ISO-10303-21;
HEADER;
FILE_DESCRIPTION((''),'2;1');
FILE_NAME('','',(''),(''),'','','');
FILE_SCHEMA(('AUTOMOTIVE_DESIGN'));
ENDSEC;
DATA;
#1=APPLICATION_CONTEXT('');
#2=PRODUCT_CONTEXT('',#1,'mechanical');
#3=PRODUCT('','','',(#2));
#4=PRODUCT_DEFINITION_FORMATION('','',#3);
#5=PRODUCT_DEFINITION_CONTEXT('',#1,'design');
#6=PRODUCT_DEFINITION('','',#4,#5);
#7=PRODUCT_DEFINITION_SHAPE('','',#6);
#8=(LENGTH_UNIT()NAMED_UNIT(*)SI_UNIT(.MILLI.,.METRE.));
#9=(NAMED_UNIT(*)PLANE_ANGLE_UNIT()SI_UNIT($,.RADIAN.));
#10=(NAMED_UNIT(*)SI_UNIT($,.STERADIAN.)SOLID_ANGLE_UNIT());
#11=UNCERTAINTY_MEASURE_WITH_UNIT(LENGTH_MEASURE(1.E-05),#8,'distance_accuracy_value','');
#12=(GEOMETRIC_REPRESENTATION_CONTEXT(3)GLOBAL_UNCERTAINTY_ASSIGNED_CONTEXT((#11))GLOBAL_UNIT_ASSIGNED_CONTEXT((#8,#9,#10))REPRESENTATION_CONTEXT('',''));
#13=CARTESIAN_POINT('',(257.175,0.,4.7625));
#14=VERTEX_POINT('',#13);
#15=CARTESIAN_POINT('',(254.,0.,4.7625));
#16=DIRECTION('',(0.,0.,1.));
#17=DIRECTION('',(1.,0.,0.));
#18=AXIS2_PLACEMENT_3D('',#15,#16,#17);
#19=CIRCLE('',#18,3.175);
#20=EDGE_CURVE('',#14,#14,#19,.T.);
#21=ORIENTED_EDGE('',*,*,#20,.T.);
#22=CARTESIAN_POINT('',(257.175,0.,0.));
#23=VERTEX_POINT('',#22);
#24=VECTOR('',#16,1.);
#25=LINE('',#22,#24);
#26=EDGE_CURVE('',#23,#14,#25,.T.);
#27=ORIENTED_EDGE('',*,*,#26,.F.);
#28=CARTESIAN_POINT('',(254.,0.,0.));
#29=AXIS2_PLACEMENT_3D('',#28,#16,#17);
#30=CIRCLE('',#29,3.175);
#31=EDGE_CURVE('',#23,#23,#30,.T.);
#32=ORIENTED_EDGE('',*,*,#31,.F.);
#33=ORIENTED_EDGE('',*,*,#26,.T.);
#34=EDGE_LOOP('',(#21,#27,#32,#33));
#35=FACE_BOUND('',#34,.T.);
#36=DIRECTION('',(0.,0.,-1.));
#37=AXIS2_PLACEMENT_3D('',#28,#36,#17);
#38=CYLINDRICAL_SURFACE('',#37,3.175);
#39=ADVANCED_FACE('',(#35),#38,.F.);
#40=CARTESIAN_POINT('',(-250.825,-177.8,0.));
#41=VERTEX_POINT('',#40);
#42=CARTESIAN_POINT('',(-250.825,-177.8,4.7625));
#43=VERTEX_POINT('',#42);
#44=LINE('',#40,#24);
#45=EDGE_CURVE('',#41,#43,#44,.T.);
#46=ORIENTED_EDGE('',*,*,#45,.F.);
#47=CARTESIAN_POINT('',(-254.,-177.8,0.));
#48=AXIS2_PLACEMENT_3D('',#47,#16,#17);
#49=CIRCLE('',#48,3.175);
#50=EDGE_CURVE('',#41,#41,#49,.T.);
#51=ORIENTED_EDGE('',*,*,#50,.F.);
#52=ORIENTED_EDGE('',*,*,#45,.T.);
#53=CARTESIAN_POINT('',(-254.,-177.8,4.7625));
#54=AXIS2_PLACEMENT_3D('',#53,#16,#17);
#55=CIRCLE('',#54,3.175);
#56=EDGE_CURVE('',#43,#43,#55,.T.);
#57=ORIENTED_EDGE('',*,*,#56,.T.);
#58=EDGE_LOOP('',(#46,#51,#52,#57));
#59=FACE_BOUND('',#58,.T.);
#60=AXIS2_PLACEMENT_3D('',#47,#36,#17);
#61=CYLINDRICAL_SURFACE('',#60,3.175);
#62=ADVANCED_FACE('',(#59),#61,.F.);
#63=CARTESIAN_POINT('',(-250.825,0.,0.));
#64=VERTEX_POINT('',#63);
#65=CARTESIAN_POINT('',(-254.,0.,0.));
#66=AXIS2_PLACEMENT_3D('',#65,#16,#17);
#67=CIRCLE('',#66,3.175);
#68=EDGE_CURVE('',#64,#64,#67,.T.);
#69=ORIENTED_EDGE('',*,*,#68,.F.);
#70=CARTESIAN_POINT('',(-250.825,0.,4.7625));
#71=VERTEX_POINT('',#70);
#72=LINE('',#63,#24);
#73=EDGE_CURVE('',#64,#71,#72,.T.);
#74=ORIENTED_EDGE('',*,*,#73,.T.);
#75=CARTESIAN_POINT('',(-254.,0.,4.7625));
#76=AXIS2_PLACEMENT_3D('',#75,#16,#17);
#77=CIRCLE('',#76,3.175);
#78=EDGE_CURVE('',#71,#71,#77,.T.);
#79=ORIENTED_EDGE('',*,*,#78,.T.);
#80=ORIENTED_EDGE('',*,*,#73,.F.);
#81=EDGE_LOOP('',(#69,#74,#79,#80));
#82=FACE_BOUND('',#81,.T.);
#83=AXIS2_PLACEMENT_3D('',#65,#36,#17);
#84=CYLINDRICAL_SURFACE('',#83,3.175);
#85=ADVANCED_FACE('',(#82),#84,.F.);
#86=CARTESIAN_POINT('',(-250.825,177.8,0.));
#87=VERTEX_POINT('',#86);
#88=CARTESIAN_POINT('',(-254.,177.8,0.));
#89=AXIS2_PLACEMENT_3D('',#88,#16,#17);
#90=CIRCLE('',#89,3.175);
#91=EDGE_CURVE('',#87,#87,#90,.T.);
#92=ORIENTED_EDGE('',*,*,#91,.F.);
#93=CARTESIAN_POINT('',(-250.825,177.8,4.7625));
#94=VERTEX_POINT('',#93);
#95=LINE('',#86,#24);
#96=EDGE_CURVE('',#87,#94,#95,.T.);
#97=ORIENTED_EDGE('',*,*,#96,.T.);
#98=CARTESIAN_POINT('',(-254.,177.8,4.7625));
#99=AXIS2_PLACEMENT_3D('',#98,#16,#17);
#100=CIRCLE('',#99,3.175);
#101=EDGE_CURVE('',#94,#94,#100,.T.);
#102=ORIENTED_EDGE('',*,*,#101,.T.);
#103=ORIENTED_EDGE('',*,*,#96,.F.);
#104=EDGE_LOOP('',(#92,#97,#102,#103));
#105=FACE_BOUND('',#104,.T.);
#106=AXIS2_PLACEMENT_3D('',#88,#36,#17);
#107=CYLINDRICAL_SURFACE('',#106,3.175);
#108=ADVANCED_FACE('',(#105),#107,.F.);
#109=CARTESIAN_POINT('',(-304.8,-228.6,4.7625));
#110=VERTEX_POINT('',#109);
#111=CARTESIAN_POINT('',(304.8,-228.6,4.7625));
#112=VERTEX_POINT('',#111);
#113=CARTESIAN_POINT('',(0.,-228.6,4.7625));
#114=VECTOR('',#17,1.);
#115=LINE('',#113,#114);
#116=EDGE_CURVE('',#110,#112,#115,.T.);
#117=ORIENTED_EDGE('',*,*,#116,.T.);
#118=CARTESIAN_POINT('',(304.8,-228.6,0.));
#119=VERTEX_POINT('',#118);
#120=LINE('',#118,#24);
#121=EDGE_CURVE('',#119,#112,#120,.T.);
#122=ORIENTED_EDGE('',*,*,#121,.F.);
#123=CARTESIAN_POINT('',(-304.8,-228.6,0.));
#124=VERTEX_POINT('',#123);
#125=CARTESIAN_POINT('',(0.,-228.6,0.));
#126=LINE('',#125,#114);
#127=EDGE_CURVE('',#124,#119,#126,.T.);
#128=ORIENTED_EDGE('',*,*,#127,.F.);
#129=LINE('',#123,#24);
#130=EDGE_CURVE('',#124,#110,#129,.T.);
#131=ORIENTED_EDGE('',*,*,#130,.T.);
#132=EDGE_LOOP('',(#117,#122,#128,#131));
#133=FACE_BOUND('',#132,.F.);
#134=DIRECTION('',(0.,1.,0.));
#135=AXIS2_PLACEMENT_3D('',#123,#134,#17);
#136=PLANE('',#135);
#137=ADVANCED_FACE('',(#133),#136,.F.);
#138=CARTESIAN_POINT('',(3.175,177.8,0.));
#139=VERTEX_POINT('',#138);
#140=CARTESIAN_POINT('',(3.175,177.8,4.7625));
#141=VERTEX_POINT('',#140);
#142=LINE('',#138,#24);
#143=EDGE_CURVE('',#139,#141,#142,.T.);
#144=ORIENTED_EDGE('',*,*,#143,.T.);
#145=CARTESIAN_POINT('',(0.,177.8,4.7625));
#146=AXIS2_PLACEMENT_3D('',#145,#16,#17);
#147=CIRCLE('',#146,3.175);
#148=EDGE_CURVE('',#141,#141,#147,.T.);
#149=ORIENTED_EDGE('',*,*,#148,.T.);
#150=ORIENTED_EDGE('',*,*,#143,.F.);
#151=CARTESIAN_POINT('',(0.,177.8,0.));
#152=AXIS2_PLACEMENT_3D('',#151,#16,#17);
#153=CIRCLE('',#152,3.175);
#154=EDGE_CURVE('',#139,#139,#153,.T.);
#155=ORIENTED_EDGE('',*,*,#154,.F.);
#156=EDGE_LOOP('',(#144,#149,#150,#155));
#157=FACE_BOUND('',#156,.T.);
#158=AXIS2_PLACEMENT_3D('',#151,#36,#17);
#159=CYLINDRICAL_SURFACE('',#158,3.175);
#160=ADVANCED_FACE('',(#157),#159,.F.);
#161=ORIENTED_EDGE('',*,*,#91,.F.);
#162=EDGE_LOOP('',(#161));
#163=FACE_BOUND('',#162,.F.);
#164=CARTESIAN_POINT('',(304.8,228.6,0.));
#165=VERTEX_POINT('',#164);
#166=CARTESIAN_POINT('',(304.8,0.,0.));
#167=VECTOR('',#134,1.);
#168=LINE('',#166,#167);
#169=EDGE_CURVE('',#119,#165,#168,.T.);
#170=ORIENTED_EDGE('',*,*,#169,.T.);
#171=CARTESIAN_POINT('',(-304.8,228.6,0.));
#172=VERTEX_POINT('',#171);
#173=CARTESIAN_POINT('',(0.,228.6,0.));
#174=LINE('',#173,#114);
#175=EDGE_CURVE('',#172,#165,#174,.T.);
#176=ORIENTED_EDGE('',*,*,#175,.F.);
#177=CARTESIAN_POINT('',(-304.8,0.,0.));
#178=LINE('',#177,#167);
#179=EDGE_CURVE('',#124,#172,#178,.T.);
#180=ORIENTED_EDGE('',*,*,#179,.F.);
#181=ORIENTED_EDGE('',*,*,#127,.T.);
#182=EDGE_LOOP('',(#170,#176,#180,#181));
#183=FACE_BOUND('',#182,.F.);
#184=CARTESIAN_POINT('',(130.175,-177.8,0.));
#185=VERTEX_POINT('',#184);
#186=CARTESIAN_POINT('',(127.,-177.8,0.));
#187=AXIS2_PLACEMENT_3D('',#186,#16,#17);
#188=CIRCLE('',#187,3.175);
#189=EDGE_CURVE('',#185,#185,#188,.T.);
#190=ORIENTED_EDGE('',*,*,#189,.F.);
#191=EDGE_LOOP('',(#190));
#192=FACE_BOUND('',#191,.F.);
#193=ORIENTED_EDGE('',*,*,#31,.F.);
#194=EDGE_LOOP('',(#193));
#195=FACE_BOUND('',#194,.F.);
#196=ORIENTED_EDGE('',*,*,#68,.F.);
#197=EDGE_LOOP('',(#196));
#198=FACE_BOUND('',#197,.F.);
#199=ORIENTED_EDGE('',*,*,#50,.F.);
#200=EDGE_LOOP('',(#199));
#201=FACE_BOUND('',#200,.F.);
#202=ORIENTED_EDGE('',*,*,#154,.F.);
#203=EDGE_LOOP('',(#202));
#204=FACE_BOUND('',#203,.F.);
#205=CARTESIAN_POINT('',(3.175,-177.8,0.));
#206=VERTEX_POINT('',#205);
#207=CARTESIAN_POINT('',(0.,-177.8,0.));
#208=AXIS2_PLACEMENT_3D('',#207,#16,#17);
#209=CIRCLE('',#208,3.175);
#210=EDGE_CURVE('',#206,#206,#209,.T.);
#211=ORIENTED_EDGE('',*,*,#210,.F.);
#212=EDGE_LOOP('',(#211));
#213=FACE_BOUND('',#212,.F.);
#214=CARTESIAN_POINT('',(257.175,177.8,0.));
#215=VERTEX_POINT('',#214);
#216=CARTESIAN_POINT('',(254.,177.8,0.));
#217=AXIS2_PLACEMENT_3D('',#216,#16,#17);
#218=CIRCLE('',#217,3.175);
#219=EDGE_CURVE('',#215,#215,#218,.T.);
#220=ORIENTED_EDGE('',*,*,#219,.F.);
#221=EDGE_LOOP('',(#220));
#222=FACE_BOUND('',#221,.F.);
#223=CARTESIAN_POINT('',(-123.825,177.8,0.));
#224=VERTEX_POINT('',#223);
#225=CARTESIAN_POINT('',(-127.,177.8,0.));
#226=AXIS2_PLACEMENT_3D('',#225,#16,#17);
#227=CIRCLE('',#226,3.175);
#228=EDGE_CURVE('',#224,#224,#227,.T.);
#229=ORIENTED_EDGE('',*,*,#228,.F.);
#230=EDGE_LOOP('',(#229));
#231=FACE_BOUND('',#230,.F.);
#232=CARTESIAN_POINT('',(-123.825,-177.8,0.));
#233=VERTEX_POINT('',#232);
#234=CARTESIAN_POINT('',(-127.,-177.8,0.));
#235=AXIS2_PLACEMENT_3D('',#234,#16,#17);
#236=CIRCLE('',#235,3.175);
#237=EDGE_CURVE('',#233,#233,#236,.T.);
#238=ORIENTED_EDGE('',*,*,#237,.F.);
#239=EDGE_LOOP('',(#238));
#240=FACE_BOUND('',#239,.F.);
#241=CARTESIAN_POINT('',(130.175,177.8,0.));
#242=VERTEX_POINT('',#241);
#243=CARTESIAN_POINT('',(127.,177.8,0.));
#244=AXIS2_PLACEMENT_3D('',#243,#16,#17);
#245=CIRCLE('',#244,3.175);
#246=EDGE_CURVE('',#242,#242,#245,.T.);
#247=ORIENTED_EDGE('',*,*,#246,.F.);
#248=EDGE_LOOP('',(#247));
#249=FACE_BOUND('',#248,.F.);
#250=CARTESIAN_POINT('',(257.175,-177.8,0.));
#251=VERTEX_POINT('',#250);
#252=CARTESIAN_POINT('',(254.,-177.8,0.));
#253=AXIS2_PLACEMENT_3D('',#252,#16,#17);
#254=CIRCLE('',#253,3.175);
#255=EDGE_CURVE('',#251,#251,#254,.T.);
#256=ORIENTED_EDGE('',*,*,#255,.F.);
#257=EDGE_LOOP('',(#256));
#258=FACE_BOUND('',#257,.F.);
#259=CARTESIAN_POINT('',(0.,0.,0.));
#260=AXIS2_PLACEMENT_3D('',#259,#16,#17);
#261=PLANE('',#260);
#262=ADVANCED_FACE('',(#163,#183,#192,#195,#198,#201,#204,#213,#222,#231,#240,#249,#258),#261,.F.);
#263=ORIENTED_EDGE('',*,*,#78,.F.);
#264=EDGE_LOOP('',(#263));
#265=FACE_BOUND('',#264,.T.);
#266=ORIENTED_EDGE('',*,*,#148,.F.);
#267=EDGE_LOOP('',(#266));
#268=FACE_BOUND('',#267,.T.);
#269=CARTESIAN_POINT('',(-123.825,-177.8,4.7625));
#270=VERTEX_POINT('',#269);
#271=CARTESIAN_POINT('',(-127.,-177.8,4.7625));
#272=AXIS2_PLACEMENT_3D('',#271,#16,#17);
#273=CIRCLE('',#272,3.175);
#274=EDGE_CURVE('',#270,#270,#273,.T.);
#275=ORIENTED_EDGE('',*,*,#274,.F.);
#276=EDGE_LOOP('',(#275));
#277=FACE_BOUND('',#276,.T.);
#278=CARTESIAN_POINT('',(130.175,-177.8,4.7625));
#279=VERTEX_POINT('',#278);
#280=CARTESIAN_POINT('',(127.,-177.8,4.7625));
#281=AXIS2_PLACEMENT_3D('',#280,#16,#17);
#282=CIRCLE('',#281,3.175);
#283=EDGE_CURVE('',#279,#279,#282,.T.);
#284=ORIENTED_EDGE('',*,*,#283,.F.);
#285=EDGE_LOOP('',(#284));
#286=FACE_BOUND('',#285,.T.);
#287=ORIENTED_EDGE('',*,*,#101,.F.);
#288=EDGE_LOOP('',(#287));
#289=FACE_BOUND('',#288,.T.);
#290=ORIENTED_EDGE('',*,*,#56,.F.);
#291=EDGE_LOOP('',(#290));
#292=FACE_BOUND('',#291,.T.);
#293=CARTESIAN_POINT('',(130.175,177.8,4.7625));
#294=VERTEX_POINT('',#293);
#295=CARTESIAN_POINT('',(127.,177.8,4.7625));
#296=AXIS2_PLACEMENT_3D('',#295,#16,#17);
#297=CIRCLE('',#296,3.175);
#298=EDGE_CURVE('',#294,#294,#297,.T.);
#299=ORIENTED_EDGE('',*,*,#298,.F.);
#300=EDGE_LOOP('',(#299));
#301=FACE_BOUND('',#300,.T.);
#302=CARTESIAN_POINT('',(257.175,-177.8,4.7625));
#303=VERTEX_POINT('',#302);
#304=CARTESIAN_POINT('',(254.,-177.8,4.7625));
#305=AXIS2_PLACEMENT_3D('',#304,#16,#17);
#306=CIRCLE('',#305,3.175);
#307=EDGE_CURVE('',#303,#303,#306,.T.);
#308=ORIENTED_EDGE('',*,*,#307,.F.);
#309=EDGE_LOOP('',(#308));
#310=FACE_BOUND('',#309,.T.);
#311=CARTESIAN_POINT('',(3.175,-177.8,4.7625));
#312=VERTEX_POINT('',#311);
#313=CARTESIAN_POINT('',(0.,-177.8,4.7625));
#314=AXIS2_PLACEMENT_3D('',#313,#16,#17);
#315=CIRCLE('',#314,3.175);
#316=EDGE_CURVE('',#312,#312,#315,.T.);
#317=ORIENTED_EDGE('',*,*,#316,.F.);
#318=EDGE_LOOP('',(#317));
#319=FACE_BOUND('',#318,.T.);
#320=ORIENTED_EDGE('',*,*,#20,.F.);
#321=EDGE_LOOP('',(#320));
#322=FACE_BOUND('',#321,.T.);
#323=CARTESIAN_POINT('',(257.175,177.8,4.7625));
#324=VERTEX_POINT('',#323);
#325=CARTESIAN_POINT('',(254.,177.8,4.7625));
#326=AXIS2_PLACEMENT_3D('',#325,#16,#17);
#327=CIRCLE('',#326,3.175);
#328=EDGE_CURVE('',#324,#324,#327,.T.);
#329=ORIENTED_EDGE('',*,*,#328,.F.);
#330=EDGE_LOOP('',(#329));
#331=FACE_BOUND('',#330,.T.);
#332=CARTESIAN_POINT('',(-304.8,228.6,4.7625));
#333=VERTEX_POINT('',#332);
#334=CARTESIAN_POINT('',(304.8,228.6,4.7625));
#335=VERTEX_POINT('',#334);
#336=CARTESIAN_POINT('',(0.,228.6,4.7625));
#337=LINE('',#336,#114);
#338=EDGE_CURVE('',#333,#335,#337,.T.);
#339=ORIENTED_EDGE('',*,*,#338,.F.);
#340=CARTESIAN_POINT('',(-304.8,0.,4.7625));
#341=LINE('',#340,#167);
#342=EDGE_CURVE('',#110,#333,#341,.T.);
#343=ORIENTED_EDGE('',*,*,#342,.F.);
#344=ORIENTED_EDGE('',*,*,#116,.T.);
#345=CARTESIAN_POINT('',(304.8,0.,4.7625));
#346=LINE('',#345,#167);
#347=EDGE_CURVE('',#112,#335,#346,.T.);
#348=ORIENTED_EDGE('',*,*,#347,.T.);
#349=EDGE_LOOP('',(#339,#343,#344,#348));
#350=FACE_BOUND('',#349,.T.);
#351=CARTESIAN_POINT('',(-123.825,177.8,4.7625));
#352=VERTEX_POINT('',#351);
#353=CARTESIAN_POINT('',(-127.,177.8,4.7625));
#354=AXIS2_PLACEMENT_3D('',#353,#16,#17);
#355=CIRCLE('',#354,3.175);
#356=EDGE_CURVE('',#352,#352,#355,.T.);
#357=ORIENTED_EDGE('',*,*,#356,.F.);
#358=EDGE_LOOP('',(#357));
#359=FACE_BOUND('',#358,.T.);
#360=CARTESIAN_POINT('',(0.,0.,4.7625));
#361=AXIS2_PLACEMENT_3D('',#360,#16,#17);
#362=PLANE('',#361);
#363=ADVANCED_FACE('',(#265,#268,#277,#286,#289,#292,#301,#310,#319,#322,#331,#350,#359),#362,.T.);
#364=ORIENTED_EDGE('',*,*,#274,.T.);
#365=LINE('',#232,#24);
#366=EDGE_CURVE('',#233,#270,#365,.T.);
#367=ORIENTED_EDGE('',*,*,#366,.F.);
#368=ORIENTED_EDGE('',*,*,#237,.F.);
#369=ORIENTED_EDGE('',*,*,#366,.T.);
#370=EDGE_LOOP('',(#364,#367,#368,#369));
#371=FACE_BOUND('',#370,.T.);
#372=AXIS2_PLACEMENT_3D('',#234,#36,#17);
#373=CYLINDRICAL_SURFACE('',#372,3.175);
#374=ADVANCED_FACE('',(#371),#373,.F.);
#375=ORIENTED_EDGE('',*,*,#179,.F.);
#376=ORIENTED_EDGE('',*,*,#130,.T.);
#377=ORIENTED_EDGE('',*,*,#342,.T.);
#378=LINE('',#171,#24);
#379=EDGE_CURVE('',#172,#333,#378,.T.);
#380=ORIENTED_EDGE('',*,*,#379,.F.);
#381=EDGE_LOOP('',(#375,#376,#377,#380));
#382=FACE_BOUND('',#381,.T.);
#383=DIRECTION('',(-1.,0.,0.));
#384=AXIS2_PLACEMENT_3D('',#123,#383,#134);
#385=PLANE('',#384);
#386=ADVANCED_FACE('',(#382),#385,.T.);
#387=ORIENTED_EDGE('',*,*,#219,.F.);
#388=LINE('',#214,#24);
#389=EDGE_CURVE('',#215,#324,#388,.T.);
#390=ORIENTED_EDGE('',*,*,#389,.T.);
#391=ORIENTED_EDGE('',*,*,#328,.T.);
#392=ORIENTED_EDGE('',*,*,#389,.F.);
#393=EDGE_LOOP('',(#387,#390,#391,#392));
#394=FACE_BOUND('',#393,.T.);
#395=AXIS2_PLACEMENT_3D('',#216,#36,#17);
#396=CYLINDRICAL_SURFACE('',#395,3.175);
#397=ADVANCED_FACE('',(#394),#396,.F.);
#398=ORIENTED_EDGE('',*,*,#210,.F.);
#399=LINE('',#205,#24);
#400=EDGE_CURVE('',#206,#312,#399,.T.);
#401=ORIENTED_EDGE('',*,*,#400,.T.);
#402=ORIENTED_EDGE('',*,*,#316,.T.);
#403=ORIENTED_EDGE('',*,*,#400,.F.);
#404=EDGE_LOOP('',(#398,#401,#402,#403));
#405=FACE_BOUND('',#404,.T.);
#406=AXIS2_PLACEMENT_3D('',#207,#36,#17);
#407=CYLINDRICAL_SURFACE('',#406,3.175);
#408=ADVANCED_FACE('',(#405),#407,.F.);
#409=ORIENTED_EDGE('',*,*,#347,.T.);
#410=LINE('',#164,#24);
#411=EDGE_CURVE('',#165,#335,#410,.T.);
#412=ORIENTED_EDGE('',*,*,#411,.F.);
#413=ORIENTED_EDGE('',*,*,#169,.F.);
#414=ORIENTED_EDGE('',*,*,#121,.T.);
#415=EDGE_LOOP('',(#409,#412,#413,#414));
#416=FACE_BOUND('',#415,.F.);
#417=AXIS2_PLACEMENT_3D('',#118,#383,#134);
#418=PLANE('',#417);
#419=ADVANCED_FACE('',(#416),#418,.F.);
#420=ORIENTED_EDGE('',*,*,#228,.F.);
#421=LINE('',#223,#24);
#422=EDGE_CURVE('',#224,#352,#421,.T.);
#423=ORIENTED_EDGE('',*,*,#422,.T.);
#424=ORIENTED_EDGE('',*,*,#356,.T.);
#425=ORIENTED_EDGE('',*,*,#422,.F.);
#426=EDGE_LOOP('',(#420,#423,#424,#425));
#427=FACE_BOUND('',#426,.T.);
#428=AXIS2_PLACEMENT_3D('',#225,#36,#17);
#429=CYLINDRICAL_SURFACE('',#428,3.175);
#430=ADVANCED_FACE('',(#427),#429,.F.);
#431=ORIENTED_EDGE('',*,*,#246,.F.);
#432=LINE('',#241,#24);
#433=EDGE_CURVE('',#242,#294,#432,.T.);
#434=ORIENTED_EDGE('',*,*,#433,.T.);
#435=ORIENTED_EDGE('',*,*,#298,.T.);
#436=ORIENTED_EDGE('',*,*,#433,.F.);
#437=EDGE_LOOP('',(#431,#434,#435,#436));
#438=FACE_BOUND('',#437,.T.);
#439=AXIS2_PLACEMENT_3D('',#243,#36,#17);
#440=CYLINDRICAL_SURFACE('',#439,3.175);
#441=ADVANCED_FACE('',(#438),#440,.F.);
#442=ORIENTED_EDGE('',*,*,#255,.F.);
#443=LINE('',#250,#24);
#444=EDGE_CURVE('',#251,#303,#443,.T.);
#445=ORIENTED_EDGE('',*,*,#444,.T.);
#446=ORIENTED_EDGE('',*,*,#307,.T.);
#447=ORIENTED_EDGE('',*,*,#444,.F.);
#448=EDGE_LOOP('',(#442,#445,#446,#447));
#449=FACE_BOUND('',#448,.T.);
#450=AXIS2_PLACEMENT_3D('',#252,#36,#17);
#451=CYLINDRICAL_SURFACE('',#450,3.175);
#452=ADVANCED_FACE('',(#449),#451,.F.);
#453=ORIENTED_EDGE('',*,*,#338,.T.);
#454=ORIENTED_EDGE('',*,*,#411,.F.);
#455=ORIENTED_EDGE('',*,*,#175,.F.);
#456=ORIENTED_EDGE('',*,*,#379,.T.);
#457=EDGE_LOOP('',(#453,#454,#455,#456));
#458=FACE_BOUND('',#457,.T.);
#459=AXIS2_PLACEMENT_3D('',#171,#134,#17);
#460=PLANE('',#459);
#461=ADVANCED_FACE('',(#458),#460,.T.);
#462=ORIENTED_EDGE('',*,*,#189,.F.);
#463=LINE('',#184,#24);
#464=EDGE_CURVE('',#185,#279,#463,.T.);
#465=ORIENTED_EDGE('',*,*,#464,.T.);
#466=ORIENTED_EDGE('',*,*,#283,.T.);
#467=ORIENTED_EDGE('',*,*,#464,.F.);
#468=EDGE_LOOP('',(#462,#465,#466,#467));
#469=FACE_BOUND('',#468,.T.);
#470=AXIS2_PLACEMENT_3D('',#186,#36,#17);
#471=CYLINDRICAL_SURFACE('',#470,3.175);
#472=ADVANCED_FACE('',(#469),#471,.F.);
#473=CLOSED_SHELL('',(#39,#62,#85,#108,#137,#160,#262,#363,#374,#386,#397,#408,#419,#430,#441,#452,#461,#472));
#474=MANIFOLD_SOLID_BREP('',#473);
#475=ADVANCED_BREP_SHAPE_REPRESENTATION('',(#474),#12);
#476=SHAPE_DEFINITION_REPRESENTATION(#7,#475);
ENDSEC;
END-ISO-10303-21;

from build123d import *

# Parameters (mm, degrees)
F0_W     = 609.6
F0_H     = 457.2
F0_R     = 3.175
F1_DEPTH = 4.7625


with BuildPart() as f1:
    # F0 (on Top) → F1 (new body)
    with BuildSketch(Plane.XY):
        Rectangle(F0_W, F0_H)
        with Locations((-254, -177.8)):
            Circle(F0_R, mode=Mode.SUBTRACT)
        with Locations((-127, -177.8)):
            Circle(F0_R, mode=Mode.SUBTRACT)
        with Locations((0, -177.8)):
            Circle(F0_R, mode=Mode.SUBTRACT)
        with Locations((127, -177.8)):
            Circle(F0_R, mode=Mode.SUBTRACT)
        with Locations((254, -177.8)):
            Circle(F0_R, mode=Mode.SUBTRACT)
        with Locations((-254, 0)):
            Circle(F0_R, mode=Mode.SUBTRACT)
        with Locations((-254, 177.8)):
            Circle(F0_R, mode=Mode.SUBTRACT)
        with Locations((-127, 177.8)):
            Circle(F0_R, mode=Mode.SUBTRACT)
        with Locations((254, 0)):
            Circle(F0_R, mode=Mode.SUBTRACT)
        with Locations((0, 177.8)):
            Circle(F0_R, mode=Mode.SUBTRACT)
        with Locations((127, 177.8)):
            Circle(F0_R, mode=Mode.SUBTRACT)
        with Locations((254, 177.8)):
            Circle(F0_R, mode=Mode.SUBTRACT)
    extrude(amount=F1_DEPTH)


solid = f1.part
